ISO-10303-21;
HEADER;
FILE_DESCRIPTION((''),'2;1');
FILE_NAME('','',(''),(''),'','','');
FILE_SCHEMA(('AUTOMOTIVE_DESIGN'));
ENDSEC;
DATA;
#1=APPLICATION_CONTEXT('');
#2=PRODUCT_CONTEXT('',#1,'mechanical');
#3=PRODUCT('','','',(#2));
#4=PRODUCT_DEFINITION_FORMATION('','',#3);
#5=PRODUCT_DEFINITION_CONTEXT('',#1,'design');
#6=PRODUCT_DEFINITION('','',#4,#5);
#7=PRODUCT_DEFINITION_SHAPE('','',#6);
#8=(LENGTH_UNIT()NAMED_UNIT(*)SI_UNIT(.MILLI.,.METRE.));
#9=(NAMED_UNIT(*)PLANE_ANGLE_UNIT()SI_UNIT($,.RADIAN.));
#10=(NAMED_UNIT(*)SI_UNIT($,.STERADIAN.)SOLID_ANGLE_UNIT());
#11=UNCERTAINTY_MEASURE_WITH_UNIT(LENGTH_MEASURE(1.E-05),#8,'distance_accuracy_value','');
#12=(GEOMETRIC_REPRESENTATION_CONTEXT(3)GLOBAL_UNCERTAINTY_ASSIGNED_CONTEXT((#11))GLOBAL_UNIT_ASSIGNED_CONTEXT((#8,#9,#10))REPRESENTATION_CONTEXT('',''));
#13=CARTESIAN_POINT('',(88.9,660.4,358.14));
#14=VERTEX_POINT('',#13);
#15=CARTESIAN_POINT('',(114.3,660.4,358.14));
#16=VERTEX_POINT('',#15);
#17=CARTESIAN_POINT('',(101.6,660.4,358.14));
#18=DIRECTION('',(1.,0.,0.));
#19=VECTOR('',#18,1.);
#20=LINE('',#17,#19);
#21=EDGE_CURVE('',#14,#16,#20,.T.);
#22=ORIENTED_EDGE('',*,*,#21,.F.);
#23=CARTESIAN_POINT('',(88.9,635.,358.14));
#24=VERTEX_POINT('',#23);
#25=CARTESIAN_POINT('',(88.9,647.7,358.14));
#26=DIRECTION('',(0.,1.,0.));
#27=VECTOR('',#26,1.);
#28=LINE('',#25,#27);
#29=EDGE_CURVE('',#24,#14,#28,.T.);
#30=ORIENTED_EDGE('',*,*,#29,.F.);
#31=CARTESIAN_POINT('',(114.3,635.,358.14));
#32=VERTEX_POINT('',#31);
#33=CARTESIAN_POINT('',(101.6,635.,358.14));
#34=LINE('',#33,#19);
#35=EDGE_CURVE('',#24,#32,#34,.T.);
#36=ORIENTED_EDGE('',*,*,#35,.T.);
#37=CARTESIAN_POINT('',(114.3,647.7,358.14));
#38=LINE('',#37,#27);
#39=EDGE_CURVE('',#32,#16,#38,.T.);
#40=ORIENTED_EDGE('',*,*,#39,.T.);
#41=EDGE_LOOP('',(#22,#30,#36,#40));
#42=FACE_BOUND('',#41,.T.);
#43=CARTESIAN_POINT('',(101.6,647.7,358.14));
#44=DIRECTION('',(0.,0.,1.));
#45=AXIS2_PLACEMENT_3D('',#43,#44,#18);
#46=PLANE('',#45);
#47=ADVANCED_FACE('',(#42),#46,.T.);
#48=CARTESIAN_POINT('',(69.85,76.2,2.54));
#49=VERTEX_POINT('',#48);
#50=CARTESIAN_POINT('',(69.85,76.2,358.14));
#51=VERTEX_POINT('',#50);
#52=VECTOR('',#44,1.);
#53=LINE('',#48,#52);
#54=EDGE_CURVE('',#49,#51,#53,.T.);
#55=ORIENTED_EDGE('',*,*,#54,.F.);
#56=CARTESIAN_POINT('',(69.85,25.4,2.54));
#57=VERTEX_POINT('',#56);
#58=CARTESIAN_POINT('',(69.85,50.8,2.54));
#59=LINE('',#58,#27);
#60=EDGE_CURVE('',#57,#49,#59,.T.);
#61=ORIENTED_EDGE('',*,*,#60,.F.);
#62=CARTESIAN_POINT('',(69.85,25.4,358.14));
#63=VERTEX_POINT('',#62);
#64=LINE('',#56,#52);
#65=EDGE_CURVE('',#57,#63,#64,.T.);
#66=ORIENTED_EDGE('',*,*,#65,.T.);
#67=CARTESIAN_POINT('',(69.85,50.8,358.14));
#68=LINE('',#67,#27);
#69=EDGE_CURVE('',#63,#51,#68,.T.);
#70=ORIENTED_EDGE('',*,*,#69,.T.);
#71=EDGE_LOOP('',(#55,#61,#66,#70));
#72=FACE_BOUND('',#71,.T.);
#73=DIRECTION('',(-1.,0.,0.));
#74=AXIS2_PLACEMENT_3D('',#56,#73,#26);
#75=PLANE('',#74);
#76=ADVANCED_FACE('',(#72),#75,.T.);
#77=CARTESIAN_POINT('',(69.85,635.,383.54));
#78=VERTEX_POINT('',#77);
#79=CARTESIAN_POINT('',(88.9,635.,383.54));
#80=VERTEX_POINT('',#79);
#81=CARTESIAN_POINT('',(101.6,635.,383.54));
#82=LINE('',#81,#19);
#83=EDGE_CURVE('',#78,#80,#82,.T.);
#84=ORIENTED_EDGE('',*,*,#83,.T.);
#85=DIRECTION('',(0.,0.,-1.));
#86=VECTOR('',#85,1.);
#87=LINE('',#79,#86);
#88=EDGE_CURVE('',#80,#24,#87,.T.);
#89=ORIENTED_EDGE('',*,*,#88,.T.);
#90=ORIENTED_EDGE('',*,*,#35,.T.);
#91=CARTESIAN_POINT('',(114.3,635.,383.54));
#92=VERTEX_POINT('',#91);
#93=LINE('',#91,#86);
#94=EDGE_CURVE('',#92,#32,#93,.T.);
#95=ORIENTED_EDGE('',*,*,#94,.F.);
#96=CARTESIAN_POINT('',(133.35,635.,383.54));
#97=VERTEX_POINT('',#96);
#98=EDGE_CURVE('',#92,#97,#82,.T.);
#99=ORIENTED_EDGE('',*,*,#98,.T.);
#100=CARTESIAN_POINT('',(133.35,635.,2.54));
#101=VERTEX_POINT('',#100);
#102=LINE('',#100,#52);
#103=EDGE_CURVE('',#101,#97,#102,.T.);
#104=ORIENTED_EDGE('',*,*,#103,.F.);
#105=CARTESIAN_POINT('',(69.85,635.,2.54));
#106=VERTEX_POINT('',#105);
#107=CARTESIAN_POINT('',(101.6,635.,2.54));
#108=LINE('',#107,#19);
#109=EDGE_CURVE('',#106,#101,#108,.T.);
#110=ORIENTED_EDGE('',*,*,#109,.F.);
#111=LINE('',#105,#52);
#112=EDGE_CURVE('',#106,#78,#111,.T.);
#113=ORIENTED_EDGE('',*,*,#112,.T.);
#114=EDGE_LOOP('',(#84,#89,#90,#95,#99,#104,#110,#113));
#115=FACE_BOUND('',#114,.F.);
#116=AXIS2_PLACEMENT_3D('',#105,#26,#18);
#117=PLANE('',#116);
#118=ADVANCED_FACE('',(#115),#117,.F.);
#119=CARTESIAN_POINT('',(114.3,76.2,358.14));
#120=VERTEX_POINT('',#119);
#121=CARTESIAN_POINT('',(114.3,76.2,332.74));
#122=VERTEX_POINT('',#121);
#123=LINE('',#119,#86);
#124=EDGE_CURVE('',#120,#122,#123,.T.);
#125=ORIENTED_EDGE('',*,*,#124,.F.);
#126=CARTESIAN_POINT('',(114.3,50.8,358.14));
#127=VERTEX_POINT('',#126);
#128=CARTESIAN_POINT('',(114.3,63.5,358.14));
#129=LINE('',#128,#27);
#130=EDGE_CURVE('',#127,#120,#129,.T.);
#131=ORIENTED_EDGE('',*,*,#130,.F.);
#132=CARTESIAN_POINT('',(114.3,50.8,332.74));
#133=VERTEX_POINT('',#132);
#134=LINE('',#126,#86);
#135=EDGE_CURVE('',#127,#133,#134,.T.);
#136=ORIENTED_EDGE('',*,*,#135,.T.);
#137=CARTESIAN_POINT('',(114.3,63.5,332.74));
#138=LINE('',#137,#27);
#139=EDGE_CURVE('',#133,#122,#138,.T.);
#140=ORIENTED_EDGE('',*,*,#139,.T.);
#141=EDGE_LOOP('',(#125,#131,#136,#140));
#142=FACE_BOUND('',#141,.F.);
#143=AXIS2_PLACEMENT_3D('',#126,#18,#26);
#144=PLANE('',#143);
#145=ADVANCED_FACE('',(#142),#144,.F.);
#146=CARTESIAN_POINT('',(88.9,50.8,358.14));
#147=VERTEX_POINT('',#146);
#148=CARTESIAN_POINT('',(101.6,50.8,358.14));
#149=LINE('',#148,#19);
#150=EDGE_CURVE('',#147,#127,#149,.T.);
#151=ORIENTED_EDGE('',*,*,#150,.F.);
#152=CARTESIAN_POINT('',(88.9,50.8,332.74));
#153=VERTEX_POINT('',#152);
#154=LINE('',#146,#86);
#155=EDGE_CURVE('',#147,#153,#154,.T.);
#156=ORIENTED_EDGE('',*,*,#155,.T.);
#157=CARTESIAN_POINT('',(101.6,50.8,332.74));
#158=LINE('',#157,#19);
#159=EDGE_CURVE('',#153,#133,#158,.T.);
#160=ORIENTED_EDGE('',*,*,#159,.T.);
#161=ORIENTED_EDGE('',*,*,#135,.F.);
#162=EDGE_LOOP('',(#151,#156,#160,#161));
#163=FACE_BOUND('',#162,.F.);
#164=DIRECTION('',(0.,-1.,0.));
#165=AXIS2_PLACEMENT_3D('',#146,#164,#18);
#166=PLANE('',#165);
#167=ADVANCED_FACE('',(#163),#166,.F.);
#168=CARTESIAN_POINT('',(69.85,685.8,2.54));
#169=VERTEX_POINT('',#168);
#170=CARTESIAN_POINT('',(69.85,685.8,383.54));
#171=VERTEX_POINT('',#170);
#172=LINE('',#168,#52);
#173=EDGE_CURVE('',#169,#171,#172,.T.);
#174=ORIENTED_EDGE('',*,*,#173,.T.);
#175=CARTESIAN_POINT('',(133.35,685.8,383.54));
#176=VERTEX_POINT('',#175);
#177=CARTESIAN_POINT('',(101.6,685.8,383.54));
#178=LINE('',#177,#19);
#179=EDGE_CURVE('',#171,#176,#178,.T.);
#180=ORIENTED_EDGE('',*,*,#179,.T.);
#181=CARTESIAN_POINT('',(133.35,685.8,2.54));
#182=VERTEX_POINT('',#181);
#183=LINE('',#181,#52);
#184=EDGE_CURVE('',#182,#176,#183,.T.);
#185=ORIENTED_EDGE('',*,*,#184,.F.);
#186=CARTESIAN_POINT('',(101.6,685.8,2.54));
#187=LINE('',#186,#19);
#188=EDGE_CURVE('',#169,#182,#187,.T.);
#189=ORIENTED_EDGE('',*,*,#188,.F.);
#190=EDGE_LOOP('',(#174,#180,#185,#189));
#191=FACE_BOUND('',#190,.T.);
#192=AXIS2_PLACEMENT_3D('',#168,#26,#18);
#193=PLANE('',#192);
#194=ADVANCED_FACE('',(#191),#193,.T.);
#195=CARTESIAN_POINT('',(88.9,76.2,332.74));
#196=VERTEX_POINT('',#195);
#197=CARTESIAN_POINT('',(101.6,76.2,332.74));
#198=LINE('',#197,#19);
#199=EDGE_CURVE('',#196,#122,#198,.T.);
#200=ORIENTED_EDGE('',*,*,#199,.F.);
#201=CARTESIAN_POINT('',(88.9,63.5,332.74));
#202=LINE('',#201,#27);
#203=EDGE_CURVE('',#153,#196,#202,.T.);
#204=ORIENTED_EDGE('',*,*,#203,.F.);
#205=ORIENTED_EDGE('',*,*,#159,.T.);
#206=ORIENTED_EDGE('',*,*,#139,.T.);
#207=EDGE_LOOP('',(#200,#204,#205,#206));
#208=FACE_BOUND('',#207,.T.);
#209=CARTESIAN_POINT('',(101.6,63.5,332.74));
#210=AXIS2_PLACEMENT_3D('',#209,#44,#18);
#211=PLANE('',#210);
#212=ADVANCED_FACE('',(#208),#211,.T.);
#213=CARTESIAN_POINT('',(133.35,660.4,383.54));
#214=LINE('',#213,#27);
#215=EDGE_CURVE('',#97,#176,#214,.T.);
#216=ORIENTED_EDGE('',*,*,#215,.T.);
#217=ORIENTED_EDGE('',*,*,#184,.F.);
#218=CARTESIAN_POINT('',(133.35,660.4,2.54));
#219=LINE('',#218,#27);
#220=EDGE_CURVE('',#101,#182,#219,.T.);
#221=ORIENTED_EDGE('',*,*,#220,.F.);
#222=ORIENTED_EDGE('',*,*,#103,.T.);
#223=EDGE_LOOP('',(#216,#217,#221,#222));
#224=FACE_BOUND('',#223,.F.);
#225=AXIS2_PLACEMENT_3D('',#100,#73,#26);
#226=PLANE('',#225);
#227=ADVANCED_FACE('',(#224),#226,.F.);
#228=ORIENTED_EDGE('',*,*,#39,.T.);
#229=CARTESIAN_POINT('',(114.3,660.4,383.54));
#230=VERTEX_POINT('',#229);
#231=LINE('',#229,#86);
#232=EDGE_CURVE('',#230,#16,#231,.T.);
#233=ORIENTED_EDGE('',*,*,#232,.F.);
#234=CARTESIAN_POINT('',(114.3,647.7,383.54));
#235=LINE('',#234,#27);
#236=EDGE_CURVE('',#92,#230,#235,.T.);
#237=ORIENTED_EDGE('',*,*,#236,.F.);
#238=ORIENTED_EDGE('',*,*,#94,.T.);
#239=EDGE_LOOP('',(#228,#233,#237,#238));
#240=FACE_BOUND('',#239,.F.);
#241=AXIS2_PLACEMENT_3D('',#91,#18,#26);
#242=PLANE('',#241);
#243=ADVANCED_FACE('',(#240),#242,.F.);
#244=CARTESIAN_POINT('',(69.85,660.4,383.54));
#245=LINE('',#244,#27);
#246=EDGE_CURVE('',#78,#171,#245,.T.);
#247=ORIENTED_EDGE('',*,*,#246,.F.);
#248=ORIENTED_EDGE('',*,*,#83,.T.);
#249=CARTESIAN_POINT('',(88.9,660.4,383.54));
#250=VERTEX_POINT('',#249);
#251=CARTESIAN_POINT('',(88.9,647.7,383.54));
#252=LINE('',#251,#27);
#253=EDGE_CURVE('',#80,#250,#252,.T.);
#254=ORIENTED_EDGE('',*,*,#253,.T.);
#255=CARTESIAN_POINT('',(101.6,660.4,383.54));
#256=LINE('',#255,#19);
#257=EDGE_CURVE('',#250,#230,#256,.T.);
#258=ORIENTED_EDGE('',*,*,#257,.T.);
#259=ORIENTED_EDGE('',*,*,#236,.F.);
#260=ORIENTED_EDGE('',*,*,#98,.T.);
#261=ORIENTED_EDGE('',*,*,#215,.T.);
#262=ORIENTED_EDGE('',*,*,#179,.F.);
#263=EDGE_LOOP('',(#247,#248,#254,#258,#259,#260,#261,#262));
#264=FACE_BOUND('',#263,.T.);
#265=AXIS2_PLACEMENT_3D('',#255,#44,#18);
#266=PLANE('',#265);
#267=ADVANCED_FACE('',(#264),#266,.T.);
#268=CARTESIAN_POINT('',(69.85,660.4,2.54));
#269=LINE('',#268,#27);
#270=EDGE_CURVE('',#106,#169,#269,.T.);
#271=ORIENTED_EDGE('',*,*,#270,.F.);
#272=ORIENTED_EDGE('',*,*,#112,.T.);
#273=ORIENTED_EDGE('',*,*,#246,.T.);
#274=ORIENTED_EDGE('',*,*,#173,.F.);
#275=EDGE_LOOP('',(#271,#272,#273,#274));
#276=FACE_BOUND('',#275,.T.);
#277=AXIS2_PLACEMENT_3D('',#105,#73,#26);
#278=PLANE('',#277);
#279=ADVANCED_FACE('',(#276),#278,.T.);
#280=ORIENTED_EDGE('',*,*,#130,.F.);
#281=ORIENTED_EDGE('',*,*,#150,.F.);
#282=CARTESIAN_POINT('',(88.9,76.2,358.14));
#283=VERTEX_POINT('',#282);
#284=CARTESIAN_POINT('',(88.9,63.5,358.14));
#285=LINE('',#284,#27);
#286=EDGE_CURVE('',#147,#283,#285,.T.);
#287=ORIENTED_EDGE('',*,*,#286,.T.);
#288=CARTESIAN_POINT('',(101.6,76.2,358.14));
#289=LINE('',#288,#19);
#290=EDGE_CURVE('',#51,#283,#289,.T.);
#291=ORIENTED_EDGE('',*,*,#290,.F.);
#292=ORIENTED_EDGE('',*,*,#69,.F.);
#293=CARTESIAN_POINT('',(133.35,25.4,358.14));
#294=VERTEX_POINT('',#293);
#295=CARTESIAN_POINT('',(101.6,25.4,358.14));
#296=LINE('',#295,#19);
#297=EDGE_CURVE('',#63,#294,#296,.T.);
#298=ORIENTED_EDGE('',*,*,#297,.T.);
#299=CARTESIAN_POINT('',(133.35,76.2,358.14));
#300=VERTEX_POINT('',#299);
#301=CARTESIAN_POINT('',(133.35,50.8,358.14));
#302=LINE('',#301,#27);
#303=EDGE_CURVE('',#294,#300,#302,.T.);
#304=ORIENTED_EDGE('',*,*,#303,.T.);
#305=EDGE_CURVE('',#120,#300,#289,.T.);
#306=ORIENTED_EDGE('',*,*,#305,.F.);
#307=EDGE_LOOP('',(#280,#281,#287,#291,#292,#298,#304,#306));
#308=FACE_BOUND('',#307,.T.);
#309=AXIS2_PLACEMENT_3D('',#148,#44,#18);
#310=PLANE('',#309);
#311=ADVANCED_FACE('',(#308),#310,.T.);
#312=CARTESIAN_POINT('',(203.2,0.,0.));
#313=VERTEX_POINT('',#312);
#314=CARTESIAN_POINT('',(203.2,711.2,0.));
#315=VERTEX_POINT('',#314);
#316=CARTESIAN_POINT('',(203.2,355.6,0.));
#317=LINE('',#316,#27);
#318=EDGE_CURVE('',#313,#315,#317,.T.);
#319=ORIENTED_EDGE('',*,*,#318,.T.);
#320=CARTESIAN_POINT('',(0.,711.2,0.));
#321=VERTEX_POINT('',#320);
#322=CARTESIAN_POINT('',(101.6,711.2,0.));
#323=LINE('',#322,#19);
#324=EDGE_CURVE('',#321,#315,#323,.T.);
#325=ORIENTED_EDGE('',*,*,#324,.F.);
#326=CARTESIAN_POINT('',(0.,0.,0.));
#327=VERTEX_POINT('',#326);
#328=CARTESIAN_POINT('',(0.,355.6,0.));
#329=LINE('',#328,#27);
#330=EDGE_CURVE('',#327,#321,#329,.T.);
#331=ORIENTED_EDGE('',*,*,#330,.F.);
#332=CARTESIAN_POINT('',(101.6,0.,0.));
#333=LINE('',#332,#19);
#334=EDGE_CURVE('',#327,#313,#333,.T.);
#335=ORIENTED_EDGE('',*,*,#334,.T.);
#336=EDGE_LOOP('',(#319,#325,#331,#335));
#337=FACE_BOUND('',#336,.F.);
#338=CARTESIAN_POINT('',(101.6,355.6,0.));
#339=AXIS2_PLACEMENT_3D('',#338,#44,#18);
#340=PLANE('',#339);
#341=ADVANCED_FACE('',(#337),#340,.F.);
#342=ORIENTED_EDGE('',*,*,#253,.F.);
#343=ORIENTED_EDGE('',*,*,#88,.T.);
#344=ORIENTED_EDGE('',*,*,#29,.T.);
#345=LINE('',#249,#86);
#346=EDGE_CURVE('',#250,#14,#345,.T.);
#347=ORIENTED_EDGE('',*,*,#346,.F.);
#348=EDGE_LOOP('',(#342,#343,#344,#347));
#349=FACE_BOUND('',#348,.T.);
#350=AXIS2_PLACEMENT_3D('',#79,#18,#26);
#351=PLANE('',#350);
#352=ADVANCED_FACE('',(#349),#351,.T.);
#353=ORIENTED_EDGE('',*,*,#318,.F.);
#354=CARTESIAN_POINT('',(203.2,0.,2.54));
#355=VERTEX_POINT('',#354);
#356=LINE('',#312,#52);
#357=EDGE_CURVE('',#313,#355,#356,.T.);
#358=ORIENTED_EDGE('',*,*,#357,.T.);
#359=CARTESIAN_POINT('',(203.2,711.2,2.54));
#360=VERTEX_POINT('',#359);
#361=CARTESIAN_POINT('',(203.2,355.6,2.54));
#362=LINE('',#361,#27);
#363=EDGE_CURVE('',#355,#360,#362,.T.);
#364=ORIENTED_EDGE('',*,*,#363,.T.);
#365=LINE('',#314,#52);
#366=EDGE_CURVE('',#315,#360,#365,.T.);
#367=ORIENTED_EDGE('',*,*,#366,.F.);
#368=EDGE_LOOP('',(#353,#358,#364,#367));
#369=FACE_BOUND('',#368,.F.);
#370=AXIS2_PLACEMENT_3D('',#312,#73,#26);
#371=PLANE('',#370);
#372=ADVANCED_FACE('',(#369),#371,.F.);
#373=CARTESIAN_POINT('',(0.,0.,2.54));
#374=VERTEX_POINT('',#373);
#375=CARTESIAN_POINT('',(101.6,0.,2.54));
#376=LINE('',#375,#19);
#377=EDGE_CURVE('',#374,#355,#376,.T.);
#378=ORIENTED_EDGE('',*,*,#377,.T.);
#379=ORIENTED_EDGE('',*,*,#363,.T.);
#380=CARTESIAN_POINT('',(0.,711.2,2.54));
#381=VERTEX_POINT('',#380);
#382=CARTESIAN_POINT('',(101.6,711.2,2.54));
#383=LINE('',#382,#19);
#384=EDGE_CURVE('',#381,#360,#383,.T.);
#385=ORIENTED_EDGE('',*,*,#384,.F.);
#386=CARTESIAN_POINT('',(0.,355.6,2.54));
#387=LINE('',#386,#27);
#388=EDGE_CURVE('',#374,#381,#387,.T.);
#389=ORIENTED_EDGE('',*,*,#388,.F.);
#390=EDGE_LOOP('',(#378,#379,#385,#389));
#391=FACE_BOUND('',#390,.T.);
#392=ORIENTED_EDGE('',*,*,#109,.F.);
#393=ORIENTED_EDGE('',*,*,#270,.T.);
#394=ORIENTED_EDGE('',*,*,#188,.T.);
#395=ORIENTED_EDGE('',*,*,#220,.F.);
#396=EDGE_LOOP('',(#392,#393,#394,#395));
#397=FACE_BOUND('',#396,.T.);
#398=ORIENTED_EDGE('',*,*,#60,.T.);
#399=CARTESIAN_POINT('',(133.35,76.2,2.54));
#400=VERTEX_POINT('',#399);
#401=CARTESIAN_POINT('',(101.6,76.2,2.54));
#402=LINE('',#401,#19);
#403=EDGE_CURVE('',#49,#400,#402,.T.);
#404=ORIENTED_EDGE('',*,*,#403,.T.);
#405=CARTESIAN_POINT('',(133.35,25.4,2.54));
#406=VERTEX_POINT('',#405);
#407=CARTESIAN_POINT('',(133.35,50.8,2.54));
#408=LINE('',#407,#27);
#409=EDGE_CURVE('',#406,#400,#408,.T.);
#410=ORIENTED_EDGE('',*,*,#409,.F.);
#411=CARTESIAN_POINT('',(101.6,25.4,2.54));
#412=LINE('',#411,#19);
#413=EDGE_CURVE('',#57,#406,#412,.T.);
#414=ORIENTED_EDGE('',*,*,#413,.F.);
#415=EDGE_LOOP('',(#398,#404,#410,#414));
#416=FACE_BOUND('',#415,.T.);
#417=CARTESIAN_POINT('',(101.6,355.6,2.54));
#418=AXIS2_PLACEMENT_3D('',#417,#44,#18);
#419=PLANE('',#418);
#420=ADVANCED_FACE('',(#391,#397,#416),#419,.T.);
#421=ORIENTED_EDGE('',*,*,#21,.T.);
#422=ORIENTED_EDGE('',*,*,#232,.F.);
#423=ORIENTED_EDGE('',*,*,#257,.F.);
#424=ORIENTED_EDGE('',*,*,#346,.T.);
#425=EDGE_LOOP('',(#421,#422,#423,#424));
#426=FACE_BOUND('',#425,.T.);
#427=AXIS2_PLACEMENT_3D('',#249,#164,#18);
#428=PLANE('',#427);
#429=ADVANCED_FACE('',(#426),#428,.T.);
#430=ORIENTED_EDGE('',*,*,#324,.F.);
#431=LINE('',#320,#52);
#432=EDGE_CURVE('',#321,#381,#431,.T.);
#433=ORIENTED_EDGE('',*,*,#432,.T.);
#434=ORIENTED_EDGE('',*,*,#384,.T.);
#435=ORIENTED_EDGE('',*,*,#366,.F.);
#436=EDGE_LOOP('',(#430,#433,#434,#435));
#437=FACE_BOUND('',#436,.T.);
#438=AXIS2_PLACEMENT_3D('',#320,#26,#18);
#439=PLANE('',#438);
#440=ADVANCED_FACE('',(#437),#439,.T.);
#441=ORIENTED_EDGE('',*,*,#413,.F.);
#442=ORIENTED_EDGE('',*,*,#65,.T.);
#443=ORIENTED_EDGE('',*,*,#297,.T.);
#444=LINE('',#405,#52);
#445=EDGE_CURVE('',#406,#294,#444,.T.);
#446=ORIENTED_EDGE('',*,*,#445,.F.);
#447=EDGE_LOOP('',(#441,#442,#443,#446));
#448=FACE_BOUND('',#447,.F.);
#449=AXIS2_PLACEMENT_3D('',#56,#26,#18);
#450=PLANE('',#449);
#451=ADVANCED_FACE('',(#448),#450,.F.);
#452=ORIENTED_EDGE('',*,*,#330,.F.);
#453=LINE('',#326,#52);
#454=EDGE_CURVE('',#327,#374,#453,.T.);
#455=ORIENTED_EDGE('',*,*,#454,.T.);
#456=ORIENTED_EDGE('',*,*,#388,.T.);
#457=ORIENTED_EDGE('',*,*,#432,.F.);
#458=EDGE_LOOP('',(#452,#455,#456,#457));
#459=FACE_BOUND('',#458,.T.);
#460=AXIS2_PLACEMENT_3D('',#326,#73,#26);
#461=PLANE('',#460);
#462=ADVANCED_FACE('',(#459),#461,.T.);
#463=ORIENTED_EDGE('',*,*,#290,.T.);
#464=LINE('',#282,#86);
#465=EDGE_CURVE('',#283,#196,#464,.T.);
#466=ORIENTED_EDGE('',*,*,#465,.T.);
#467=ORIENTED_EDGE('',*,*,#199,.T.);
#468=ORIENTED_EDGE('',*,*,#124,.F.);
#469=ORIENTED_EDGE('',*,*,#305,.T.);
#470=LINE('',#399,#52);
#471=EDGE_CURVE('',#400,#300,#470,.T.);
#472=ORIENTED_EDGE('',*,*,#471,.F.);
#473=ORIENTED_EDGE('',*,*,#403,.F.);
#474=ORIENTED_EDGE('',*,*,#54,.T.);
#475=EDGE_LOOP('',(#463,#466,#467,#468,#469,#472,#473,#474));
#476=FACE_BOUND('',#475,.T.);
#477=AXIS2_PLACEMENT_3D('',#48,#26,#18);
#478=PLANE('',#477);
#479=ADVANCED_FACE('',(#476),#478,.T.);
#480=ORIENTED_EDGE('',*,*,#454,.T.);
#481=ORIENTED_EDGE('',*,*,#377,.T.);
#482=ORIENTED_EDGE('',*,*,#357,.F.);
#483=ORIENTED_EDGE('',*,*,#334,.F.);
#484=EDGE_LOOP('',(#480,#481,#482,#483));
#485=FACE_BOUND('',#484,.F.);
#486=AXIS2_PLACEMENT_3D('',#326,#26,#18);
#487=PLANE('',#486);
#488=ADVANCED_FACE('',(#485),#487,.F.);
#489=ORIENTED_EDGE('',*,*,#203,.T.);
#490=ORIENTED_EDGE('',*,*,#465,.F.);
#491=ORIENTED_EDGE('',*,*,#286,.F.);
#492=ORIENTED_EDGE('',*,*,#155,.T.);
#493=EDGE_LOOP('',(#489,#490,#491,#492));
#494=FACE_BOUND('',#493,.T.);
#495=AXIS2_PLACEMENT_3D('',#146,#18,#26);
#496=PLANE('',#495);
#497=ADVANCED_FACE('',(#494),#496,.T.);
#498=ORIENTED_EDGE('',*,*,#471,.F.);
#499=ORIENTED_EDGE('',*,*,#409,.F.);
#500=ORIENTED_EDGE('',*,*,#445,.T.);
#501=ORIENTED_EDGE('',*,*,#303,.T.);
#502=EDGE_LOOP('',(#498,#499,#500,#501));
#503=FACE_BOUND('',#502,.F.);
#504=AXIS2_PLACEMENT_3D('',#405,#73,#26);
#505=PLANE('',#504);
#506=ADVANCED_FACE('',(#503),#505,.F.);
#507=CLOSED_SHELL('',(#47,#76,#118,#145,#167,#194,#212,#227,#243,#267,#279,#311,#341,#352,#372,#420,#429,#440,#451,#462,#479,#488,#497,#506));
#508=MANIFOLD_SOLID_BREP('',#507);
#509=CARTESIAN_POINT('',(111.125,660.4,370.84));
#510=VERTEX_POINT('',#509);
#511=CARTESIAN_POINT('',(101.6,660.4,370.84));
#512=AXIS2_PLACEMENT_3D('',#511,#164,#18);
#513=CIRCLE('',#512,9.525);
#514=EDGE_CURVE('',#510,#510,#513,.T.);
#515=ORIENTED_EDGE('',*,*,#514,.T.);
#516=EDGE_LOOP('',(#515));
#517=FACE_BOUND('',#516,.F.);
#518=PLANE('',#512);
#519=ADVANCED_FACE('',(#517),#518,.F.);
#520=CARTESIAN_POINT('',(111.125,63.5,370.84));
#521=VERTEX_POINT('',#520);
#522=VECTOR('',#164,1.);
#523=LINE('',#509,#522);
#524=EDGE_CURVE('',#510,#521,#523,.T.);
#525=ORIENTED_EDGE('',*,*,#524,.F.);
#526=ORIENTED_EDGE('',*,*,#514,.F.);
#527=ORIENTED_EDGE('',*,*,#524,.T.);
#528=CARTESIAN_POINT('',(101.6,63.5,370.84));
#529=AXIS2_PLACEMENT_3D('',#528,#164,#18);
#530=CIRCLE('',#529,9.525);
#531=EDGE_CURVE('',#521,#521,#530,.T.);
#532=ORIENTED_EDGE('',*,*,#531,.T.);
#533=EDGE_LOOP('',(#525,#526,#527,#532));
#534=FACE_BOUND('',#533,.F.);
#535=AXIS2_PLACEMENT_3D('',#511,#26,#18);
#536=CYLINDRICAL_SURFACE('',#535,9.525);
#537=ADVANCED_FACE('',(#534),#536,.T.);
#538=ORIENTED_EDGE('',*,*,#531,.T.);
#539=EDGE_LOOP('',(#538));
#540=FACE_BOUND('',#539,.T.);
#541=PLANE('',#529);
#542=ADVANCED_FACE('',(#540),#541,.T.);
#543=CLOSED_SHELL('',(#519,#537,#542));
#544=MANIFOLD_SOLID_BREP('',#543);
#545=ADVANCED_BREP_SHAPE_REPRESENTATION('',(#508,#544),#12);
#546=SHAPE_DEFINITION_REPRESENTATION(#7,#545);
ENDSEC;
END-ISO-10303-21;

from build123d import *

# Parameters (mm, degrees)
F0_W      = 203.2
F0_H      = 711.2
F1_DEPTH  = 2.54
F2_W      = 63.5
F2_H      = 50.8
F3_DEPTH  = 355.6
F4_DEPTH  = 381
F5_W      = 25.4
F5_H      = 25.4
F6_DEPTH  = 25.4
F7_W      = 25.4
F7_H      = 25.4
F8_DEPTH  = 25.4
F9_R      = 9.525
F10_DEPTH = 596.9


with BuildPart() as f1:
    # F0 (on Top) → F1 (new body)
    with BuildSketch(Plane.XY):
        with Locations((101.6, 355.6)):
            Rectangle(F0_W, F0_H)
    extrude(amount=F1_DEPTH)

    # F2 (on face) → F3 (join)
    with BuildSketch(Plane.XY.offset(2.54)):
        with Locations((101.6, 50.8)):
            Rectangle(F2_W, F2_H)
    extrude(amount=F3_DEPTH)

    # F2 (on face) → F4 (join)
    with BuildSketch(Plane.XY.offset(2.54)):
        with Locations((101.6, 660.4)):
            Rectangle(F2_W, F2_H)
    extrude(amount=F4_DEPTH)

    # F5 (on face) → F6 (cut)
    with BuildSketch(Plane.XY.offset(358.14)):
        with Locations((101.6, 63.5)):
            Rectangle(F5_W, F5_H)
    extrude(amount=-F6_DEPTH, mode=Mode.SUBTRACT)

    # F7 (on face) → F8 (cut)
    with BuildSketch(Plane.XY.offset(383.54)):
        with Locations((101.6, 647.7)):
            Rectangle(F7_W, F7_H)
    extrude(amount=-F8_DEPTH, mode=Mode.SUBTRACT)


with BuildPart() as f10:
    # F9 (on face) → F10 (new body)
    with BuildSketch(Plane.XZ.offset(-660.4)):
        with Locations((101.6, 370.84)):
            Circle(F9_R)
    extrude(amount=F10_DEPTH)


solid = Compound([f1.part, f10.part])
